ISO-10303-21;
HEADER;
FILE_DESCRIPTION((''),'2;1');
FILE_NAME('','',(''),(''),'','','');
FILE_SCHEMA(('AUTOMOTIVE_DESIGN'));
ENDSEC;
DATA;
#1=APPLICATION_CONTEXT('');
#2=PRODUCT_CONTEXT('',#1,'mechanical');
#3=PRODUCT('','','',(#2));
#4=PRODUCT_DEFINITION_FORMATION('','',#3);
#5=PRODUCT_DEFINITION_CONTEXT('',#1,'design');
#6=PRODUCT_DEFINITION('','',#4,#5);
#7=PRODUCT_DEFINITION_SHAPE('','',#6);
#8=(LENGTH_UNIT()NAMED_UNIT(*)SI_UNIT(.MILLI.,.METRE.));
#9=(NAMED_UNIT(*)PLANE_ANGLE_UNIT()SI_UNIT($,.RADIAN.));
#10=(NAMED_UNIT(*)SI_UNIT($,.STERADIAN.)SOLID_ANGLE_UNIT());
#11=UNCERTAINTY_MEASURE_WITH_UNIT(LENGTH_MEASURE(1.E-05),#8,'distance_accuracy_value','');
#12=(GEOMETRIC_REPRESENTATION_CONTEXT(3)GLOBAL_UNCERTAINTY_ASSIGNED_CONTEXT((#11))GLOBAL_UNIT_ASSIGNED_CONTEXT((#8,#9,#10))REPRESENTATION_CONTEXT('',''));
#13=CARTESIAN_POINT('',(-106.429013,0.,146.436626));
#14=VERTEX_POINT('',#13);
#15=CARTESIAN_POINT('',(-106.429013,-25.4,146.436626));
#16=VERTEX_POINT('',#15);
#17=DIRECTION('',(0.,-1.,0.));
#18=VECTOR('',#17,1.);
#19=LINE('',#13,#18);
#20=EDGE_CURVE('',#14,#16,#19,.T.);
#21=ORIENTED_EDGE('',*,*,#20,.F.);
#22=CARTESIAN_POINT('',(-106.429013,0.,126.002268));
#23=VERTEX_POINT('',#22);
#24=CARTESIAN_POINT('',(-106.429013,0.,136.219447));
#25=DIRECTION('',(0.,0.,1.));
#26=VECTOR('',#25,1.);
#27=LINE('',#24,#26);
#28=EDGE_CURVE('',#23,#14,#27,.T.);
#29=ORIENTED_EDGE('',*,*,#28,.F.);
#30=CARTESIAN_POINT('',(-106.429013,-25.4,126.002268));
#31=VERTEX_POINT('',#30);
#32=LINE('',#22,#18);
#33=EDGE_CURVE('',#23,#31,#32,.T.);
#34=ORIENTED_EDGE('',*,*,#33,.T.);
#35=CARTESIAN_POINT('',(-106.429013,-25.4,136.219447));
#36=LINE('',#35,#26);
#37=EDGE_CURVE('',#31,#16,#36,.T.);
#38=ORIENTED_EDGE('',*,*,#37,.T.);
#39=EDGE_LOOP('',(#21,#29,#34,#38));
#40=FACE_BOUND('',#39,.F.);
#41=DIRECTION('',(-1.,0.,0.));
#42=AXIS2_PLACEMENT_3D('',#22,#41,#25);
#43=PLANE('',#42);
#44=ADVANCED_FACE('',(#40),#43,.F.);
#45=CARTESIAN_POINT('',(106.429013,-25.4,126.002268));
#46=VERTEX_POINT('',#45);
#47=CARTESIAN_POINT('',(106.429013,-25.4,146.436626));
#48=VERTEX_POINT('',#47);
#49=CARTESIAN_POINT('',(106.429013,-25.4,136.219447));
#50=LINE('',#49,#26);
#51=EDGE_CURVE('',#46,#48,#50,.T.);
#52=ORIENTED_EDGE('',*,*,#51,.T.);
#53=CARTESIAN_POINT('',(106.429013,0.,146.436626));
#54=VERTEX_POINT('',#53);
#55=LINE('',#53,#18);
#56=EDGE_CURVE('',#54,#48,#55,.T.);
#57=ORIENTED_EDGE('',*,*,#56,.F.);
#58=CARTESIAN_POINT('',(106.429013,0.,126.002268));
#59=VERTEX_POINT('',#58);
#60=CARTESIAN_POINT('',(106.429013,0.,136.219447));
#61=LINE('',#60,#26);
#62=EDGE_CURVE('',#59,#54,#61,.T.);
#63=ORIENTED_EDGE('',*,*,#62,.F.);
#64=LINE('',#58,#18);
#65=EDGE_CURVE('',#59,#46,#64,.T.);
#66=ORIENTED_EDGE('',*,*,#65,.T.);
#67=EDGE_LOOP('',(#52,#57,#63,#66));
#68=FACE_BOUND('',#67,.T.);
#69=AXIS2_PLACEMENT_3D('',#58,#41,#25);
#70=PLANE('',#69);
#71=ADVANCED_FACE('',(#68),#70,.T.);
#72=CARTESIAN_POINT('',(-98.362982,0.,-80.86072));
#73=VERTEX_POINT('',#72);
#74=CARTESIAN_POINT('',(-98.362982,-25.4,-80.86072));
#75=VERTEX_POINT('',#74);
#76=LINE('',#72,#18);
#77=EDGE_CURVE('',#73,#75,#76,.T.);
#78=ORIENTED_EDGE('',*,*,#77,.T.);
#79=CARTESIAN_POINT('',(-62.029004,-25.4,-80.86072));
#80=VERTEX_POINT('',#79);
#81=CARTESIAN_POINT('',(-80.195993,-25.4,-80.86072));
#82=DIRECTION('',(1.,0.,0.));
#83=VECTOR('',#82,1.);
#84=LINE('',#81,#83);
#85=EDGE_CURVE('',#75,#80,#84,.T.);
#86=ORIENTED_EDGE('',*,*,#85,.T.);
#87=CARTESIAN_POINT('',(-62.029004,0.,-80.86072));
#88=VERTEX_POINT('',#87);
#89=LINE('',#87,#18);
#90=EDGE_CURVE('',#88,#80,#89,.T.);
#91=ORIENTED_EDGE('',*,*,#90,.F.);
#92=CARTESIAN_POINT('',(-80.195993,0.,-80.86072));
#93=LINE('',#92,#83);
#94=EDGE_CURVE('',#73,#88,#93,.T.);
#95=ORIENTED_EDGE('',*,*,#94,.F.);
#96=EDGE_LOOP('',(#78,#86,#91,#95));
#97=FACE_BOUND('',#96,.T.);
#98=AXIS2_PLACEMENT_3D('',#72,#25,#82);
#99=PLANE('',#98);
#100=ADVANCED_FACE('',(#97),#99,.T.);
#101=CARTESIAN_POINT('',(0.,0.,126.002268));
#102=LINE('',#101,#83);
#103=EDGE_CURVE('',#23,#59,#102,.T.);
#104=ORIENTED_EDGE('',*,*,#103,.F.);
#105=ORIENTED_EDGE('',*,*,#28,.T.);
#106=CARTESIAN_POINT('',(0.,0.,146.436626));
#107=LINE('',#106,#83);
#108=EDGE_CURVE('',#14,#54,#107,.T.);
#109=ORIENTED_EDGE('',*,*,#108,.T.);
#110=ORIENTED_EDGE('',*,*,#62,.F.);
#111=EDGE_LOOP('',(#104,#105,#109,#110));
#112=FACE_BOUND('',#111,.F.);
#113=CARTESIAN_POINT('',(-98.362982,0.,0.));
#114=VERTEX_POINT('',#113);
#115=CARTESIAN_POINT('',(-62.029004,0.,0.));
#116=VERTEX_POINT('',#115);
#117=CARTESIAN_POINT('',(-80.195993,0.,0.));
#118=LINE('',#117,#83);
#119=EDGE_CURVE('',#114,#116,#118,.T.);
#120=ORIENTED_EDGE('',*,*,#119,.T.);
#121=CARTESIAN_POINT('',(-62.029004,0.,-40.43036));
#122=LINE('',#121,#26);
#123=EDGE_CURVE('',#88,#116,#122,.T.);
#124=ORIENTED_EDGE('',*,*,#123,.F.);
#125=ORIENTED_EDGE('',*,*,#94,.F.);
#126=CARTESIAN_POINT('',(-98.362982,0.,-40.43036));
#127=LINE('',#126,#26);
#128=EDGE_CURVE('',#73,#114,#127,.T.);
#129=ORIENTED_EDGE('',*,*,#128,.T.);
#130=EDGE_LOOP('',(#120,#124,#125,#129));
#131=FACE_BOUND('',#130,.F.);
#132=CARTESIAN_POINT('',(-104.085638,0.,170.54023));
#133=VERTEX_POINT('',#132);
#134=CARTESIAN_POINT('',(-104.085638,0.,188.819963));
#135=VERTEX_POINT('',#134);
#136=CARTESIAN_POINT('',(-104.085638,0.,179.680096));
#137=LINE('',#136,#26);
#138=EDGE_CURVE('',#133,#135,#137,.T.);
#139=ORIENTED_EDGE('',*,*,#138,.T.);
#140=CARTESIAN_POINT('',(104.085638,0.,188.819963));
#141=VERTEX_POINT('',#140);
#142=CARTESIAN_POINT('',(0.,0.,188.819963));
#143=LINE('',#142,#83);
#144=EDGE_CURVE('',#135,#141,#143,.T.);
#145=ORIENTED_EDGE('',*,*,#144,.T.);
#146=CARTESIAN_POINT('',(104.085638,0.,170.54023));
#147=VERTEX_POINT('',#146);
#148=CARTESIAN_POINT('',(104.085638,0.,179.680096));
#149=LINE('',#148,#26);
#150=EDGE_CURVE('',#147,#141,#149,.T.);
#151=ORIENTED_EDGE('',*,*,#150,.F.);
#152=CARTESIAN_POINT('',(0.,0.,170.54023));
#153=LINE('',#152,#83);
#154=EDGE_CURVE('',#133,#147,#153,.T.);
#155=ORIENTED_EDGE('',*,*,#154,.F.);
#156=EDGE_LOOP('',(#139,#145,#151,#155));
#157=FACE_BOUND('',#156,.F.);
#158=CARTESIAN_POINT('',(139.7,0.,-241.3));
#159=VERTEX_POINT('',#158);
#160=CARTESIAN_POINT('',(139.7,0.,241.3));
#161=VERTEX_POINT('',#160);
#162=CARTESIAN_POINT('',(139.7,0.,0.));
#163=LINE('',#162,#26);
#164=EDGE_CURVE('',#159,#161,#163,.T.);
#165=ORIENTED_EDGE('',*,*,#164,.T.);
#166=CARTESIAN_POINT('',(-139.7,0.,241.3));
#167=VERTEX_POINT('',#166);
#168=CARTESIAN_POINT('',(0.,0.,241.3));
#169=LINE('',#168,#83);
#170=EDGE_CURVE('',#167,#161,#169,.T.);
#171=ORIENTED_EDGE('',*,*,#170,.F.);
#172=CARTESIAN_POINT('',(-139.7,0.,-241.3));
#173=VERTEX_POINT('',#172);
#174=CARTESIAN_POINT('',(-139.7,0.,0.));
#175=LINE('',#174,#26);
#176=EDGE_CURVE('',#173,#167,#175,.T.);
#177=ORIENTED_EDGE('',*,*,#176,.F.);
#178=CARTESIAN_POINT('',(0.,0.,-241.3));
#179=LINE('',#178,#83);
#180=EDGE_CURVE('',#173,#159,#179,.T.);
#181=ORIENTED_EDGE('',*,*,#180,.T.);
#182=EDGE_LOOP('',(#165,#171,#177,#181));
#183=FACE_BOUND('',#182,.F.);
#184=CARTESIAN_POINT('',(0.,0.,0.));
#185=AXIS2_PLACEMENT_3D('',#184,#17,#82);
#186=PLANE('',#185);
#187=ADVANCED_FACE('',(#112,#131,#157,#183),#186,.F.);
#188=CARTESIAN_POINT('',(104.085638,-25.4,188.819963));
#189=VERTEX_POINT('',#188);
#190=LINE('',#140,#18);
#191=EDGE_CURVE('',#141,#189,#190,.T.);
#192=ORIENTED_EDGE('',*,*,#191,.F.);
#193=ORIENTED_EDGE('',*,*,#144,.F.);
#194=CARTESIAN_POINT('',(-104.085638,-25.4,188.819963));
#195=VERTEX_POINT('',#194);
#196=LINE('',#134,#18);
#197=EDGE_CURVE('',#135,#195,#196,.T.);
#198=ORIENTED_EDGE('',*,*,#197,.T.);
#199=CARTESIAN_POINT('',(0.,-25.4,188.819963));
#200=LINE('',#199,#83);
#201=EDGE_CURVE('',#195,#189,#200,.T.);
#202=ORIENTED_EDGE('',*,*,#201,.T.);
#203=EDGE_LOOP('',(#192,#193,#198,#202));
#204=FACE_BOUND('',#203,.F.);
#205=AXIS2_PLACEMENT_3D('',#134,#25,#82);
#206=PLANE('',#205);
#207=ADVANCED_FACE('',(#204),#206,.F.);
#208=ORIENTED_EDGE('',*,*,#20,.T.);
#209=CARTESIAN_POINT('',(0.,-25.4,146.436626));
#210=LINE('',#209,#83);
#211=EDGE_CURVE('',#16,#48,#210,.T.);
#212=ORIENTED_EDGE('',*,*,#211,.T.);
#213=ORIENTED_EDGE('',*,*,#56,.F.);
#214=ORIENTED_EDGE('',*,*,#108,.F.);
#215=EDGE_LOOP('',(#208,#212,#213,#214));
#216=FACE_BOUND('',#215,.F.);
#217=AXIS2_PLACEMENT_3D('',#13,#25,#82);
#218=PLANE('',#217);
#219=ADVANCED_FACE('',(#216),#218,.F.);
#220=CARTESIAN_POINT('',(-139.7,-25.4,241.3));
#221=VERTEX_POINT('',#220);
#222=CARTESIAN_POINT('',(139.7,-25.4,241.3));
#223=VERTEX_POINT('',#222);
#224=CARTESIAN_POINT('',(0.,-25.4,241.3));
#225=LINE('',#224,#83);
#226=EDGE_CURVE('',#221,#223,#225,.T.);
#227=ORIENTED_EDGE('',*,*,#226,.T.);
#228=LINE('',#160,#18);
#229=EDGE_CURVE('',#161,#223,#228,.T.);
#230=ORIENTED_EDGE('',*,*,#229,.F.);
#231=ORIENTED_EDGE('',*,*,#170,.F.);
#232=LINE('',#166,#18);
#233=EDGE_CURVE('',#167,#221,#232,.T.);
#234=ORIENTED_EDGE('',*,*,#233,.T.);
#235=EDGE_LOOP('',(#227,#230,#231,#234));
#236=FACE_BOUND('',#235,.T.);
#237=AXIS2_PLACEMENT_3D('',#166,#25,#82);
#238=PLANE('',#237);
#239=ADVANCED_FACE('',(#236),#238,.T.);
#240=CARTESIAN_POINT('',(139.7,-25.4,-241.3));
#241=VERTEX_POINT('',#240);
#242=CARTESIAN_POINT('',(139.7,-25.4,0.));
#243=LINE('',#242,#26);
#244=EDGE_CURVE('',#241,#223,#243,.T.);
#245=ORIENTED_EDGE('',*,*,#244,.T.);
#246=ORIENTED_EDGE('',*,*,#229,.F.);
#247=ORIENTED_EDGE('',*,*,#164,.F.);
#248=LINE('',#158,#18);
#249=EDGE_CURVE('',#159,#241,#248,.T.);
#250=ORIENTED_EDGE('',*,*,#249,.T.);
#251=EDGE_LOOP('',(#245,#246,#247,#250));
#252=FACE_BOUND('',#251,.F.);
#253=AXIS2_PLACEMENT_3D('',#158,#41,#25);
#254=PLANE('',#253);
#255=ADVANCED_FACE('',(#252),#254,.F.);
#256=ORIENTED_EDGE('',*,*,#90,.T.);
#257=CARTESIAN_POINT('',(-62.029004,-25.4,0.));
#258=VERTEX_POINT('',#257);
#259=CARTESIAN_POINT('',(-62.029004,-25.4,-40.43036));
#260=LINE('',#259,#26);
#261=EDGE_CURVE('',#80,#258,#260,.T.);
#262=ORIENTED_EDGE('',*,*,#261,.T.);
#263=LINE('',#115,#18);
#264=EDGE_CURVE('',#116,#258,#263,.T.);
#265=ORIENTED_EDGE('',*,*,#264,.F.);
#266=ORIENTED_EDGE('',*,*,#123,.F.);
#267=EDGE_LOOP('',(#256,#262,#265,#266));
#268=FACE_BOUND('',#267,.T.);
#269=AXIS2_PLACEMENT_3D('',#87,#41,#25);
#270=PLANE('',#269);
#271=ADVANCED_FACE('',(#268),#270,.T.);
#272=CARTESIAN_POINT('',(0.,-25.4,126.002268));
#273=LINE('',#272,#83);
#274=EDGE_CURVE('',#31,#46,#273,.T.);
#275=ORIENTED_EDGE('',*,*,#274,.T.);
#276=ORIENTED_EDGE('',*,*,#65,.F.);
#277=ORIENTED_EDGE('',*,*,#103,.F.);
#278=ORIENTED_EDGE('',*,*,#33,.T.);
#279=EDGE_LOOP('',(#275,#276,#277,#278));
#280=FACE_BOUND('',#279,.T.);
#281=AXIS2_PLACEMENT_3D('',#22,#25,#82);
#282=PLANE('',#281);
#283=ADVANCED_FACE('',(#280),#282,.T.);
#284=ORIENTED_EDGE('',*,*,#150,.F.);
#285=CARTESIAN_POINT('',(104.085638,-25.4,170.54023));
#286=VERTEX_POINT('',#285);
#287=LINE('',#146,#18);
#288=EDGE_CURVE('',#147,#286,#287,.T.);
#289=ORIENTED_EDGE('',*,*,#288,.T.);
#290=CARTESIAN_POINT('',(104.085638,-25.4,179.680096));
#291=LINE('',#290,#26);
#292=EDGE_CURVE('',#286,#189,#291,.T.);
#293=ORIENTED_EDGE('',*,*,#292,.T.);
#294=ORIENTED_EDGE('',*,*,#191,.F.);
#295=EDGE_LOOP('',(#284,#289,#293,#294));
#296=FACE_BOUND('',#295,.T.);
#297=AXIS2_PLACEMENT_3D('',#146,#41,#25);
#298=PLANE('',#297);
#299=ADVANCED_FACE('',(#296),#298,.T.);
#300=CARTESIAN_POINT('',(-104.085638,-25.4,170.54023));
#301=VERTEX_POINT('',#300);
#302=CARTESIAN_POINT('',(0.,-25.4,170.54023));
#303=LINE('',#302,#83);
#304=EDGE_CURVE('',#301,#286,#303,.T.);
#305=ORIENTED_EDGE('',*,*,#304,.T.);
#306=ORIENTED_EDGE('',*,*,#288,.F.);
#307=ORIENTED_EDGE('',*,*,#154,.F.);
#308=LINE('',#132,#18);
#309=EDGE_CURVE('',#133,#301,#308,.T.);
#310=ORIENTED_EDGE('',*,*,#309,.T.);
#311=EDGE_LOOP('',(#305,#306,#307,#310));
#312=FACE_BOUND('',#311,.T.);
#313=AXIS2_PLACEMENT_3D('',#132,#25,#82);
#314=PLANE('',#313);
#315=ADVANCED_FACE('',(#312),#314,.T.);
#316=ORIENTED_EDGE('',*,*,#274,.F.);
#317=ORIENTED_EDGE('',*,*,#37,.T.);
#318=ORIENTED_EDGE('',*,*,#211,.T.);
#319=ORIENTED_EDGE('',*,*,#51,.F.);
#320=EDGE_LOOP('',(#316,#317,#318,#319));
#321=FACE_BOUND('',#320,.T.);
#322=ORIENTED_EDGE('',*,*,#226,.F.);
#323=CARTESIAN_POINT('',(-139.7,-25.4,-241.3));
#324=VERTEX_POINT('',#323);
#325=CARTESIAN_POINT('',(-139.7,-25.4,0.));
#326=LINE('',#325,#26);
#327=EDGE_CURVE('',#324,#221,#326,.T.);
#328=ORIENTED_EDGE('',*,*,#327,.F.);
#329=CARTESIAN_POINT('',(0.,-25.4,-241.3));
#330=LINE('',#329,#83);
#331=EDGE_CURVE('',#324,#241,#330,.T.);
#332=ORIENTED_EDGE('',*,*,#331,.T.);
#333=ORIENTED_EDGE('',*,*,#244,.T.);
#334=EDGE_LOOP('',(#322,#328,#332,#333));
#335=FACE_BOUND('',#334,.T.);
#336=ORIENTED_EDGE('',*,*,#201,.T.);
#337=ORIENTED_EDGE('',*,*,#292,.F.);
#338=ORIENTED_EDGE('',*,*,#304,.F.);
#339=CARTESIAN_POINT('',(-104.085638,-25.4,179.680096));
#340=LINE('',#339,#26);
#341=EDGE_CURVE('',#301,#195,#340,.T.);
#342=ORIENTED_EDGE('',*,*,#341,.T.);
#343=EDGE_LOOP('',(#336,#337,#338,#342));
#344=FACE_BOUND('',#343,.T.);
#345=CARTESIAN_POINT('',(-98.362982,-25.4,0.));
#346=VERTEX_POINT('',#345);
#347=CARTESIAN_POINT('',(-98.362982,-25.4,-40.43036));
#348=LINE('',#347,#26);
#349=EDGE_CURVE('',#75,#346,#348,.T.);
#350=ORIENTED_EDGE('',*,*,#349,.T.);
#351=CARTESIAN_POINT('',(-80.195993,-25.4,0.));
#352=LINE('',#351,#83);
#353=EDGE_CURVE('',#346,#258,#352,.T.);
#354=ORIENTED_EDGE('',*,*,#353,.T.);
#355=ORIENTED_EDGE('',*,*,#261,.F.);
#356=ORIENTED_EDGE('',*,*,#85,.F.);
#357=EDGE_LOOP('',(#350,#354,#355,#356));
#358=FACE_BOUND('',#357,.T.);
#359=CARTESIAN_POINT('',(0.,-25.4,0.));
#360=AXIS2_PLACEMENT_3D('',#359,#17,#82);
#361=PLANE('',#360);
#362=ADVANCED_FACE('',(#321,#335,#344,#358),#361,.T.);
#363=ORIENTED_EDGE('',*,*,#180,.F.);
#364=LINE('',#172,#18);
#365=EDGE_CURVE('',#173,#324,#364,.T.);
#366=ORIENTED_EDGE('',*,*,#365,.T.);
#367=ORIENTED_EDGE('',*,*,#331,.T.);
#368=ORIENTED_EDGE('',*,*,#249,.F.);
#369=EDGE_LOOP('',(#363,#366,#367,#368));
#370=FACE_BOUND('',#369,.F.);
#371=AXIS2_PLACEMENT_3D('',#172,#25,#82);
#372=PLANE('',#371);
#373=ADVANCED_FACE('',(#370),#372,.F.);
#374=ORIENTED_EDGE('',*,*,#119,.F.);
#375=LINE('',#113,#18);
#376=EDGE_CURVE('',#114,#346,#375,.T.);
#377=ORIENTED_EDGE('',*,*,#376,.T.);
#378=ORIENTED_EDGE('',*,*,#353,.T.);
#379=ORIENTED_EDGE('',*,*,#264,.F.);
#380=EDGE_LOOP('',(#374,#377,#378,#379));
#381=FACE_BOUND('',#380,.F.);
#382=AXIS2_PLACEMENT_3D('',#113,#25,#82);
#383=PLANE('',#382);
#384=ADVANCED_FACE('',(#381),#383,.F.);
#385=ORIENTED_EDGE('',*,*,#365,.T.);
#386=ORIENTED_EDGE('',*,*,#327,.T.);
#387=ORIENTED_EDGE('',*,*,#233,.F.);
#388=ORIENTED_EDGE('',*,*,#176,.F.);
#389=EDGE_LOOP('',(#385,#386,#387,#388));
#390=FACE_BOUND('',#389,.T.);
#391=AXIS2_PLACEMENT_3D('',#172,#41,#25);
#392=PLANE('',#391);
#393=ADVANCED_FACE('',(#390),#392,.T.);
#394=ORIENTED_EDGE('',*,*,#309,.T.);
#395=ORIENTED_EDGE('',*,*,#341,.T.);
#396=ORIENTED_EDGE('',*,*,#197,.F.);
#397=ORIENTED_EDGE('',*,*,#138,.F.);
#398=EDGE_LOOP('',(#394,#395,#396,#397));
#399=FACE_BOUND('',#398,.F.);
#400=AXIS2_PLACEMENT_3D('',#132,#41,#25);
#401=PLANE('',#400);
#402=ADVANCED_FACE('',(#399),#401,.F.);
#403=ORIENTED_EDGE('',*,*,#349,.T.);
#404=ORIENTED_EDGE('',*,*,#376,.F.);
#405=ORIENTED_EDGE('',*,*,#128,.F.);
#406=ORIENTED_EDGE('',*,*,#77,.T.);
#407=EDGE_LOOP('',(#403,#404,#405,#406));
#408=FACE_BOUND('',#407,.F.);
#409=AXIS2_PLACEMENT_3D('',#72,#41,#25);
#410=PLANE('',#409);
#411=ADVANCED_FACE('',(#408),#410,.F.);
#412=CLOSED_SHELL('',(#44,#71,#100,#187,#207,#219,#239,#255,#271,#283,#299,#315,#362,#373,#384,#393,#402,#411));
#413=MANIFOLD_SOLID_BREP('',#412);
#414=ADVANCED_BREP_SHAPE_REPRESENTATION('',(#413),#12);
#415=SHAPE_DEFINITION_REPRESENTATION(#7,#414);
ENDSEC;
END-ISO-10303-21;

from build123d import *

# Parameters (mm, degrees)
F0_W     = 279.4
F0_H     = 482.6
F0_W_2   = 36.333978
F0_H_2   = 80.860719
F0_W_3   = 212.858026
F0_H_3   = 20.434359
F0_W_4   = 208.171276
F0_H_4   = 18.279733
F1_DEPTH = 25.4


with BuildPart() as f1:
    # F0 (on Front) → F1 (new body)
    with BuildSketch(Plane.XZ):
        Rectangle(F0_W, F0_H)
        with Locations((-80.195993, -40.43036)):
            Rectangle(F0_W_2, F0_H_2, mode=Mode.SUBTRACT)
        with Locations((0, 136.219447)):
            Rectangle(F0_W_3, F0_H_3, mode=Mode.SUBTRACT)
        with Locations((0, 179.680096)):
            Rectangle(F0_W_4, F0_H_4, mode=Mode.SUBTRACT)
    extrude(amount=F1_DEPTH)


solid = f1.part
